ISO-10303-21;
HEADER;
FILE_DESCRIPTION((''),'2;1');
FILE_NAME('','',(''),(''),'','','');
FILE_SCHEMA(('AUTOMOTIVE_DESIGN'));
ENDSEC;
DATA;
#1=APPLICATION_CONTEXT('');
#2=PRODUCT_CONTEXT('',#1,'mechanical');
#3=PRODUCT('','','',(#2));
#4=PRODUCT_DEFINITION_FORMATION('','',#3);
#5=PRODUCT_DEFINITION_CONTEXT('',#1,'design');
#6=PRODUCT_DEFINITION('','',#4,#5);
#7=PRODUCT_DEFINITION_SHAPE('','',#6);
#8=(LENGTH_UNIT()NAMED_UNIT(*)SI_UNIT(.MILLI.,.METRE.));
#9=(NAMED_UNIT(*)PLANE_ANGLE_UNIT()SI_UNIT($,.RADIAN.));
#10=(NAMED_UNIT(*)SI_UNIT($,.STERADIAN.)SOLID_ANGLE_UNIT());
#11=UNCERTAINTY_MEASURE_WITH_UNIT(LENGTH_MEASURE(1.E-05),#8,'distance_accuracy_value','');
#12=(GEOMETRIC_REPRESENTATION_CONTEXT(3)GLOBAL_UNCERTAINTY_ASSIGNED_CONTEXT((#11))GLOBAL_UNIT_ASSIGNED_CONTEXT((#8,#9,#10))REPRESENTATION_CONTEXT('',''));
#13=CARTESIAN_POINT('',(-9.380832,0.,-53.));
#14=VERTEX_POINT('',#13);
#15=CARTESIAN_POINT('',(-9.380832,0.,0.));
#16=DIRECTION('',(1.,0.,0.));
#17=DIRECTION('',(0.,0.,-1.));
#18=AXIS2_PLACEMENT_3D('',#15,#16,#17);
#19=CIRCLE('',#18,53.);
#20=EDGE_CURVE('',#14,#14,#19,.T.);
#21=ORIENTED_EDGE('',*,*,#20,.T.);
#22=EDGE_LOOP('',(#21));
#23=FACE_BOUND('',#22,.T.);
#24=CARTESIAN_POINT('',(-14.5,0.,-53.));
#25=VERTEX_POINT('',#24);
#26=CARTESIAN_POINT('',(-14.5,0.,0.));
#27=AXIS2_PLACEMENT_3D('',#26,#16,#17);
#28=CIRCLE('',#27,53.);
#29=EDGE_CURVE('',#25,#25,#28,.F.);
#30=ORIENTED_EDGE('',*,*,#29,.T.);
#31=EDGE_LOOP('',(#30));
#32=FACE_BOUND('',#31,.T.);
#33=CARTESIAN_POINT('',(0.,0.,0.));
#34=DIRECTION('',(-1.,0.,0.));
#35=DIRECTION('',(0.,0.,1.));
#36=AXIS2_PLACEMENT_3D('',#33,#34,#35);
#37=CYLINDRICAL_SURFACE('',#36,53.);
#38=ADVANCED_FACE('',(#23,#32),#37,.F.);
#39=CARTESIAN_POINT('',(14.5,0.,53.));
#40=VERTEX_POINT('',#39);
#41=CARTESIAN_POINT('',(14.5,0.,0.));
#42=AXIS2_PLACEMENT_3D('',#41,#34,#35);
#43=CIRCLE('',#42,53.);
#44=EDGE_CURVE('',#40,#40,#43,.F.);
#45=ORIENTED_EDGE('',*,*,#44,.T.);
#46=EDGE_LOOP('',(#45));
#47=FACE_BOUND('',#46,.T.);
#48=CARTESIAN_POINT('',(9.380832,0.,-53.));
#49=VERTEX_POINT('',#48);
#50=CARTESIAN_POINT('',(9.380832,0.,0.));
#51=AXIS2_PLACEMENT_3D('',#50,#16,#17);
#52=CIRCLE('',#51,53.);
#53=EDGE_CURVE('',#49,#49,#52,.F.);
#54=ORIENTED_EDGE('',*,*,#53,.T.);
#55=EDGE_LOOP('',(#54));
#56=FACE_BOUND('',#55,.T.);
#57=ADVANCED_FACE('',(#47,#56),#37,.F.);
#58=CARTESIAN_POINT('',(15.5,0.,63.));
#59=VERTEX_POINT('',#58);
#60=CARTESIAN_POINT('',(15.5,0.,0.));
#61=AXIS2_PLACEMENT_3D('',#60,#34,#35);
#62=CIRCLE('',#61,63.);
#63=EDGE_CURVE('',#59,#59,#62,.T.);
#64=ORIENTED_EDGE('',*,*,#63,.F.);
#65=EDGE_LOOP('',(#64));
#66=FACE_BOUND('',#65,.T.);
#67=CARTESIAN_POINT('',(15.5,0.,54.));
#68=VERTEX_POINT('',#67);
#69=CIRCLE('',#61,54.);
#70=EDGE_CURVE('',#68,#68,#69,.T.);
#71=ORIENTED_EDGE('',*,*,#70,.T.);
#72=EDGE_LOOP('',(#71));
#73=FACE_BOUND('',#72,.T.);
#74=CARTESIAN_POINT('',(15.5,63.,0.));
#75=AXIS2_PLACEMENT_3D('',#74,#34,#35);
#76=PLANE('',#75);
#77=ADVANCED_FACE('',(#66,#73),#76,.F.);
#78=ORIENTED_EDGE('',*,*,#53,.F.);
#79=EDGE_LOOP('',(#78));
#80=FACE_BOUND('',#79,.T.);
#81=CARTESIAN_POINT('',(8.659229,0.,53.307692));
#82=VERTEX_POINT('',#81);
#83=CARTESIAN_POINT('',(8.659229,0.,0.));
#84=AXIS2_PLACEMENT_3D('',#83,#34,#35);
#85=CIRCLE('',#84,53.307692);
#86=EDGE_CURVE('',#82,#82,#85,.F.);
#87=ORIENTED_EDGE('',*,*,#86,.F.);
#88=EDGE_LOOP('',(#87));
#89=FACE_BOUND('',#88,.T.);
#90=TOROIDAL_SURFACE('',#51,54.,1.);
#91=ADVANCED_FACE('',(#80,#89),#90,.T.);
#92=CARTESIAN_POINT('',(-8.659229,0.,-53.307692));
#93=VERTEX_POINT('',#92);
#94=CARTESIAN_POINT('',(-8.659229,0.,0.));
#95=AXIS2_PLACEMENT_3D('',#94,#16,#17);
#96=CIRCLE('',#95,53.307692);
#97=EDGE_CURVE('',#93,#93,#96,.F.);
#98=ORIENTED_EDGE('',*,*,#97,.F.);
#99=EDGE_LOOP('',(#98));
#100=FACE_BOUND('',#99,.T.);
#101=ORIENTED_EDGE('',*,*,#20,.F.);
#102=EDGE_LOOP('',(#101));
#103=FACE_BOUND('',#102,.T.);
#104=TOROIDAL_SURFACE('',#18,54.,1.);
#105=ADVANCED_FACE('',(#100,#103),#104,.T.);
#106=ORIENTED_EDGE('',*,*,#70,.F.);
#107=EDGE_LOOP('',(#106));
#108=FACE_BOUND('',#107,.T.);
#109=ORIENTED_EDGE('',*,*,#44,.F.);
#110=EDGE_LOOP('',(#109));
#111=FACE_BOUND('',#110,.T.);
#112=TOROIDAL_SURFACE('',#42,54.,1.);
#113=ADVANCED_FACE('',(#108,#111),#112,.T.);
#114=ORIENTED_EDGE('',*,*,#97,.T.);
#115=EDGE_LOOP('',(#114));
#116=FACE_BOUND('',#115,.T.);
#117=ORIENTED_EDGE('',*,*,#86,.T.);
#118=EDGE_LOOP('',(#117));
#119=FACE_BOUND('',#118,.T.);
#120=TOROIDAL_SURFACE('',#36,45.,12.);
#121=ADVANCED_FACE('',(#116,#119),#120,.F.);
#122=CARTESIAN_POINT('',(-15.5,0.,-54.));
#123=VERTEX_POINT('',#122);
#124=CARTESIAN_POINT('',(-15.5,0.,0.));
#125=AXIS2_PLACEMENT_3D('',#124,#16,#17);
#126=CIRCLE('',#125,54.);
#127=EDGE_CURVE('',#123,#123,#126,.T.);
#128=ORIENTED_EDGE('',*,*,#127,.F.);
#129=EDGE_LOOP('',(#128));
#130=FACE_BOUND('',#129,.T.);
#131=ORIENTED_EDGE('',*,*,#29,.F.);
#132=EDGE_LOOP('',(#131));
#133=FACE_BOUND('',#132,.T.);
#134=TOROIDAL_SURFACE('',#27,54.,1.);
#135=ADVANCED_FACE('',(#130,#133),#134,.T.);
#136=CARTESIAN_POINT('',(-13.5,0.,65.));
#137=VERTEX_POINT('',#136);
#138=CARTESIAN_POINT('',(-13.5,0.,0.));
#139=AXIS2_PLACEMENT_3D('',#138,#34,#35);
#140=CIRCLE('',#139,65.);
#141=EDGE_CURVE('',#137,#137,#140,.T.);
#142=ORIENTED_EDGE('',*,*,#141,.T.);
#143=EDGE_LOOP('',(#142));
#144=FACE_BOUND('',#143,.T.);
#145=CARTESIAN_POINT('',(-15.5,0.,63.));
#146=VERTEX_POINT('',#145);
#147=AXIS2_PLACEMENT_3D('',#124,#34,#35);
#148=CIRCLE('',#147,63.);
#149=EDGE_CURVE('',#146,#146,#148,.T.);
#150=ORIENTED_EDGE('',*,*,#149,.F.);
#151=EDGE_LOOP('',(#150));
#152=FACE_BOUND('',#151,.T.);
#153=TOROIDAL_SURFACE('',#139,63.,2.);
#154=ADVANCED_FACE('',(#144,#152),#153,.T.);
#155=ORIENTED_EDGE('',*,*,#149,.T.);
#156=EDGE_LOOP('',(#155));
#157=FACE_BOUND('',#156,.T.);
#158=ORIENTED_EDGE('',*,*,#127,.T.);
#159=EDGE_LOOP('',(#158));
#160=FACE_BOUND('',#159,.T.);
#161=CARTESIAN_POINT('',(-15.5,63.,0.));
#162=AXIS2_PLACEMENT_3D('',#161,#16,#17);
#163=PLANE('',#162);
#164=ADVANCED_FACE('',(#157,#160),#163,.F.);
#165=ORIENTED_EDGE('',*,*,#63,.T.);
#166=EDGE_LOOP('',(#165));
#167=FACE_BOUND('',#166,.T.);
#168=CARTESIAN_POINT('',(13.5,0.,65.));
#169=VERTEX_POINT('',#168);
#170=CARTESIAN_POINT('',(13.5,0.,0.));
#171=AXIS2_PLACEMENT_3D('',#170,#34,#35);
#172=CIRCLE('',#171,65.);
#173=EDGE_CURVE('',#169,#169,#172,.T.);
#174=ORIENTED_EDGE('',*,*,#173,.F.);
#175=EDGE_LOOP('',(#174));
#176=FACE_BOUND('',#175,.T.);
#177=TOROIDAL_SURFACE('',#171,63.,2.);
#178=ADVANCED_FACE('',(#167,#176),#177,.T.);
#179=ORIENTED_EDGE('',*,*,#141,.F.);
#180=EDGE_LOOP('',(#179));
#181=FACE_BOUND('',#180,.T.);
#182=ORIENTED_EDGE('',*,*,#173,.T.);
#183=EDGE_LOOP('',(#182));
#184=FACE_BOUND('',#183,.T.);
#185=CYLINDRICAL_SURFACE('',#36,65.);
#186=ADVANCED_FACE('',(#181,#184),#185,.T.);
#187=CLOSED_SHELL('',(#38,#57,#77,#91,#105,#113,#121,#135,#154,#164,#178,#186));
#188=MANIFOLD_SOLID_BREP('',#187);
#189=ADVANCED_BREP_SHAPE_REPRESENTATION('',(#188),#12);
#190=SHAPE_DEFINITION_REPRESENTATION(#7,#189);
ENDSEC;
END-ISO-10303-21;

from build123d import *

# Parameters (mm, degrees)
FILLET1_R = 1


with BuildPart() as part:
    # Sketch1 → Revolve1 (revolve)
    with BuildSketch(Plane.XY, mode=Mode.PRIVATE) as revolve1_sk:
        with BuildLine():
            Line((8.94427191, 53), (15.5, 53))
            Line((15.5, 53), (15.5, 63))
            ThreePointArc((15.5, 63), (14.914213562, 64.414213562), (13.5, 65))
            Line((13.5, 65), (-13.5, 65))
            ThreePointArc((-13.5, 65), (-14.914213562, 64.414213562), (-15.5, 63))
            Line((-15.5, 63), (-15.5, 53))
            Line((-15.5, 53), (-8.94427191, 53))
            ThreePointArc((-8.94427191, 53), (0, 57), (8.94427191, 53))
        make_face()
    revolve(revolve1_sk.sketch.rotate(Axis((0, 0, 0), (1, 0, 0)), 90), axis=Axis((0, 0, 0), (1, 0, 0)))

    # Fillet1
    fillet1_edges = [part.edges().sort_by_distance(p)[0] for p in [
        (15.5, 0, -53),
        (8.94427191, 0, -53),
        (-8.94427191, 0, -53),
        (-15.5, 0, -53),
    ]]
    fillet(fillet1_edges, radius=FILLET1_R)


solid = part.part
